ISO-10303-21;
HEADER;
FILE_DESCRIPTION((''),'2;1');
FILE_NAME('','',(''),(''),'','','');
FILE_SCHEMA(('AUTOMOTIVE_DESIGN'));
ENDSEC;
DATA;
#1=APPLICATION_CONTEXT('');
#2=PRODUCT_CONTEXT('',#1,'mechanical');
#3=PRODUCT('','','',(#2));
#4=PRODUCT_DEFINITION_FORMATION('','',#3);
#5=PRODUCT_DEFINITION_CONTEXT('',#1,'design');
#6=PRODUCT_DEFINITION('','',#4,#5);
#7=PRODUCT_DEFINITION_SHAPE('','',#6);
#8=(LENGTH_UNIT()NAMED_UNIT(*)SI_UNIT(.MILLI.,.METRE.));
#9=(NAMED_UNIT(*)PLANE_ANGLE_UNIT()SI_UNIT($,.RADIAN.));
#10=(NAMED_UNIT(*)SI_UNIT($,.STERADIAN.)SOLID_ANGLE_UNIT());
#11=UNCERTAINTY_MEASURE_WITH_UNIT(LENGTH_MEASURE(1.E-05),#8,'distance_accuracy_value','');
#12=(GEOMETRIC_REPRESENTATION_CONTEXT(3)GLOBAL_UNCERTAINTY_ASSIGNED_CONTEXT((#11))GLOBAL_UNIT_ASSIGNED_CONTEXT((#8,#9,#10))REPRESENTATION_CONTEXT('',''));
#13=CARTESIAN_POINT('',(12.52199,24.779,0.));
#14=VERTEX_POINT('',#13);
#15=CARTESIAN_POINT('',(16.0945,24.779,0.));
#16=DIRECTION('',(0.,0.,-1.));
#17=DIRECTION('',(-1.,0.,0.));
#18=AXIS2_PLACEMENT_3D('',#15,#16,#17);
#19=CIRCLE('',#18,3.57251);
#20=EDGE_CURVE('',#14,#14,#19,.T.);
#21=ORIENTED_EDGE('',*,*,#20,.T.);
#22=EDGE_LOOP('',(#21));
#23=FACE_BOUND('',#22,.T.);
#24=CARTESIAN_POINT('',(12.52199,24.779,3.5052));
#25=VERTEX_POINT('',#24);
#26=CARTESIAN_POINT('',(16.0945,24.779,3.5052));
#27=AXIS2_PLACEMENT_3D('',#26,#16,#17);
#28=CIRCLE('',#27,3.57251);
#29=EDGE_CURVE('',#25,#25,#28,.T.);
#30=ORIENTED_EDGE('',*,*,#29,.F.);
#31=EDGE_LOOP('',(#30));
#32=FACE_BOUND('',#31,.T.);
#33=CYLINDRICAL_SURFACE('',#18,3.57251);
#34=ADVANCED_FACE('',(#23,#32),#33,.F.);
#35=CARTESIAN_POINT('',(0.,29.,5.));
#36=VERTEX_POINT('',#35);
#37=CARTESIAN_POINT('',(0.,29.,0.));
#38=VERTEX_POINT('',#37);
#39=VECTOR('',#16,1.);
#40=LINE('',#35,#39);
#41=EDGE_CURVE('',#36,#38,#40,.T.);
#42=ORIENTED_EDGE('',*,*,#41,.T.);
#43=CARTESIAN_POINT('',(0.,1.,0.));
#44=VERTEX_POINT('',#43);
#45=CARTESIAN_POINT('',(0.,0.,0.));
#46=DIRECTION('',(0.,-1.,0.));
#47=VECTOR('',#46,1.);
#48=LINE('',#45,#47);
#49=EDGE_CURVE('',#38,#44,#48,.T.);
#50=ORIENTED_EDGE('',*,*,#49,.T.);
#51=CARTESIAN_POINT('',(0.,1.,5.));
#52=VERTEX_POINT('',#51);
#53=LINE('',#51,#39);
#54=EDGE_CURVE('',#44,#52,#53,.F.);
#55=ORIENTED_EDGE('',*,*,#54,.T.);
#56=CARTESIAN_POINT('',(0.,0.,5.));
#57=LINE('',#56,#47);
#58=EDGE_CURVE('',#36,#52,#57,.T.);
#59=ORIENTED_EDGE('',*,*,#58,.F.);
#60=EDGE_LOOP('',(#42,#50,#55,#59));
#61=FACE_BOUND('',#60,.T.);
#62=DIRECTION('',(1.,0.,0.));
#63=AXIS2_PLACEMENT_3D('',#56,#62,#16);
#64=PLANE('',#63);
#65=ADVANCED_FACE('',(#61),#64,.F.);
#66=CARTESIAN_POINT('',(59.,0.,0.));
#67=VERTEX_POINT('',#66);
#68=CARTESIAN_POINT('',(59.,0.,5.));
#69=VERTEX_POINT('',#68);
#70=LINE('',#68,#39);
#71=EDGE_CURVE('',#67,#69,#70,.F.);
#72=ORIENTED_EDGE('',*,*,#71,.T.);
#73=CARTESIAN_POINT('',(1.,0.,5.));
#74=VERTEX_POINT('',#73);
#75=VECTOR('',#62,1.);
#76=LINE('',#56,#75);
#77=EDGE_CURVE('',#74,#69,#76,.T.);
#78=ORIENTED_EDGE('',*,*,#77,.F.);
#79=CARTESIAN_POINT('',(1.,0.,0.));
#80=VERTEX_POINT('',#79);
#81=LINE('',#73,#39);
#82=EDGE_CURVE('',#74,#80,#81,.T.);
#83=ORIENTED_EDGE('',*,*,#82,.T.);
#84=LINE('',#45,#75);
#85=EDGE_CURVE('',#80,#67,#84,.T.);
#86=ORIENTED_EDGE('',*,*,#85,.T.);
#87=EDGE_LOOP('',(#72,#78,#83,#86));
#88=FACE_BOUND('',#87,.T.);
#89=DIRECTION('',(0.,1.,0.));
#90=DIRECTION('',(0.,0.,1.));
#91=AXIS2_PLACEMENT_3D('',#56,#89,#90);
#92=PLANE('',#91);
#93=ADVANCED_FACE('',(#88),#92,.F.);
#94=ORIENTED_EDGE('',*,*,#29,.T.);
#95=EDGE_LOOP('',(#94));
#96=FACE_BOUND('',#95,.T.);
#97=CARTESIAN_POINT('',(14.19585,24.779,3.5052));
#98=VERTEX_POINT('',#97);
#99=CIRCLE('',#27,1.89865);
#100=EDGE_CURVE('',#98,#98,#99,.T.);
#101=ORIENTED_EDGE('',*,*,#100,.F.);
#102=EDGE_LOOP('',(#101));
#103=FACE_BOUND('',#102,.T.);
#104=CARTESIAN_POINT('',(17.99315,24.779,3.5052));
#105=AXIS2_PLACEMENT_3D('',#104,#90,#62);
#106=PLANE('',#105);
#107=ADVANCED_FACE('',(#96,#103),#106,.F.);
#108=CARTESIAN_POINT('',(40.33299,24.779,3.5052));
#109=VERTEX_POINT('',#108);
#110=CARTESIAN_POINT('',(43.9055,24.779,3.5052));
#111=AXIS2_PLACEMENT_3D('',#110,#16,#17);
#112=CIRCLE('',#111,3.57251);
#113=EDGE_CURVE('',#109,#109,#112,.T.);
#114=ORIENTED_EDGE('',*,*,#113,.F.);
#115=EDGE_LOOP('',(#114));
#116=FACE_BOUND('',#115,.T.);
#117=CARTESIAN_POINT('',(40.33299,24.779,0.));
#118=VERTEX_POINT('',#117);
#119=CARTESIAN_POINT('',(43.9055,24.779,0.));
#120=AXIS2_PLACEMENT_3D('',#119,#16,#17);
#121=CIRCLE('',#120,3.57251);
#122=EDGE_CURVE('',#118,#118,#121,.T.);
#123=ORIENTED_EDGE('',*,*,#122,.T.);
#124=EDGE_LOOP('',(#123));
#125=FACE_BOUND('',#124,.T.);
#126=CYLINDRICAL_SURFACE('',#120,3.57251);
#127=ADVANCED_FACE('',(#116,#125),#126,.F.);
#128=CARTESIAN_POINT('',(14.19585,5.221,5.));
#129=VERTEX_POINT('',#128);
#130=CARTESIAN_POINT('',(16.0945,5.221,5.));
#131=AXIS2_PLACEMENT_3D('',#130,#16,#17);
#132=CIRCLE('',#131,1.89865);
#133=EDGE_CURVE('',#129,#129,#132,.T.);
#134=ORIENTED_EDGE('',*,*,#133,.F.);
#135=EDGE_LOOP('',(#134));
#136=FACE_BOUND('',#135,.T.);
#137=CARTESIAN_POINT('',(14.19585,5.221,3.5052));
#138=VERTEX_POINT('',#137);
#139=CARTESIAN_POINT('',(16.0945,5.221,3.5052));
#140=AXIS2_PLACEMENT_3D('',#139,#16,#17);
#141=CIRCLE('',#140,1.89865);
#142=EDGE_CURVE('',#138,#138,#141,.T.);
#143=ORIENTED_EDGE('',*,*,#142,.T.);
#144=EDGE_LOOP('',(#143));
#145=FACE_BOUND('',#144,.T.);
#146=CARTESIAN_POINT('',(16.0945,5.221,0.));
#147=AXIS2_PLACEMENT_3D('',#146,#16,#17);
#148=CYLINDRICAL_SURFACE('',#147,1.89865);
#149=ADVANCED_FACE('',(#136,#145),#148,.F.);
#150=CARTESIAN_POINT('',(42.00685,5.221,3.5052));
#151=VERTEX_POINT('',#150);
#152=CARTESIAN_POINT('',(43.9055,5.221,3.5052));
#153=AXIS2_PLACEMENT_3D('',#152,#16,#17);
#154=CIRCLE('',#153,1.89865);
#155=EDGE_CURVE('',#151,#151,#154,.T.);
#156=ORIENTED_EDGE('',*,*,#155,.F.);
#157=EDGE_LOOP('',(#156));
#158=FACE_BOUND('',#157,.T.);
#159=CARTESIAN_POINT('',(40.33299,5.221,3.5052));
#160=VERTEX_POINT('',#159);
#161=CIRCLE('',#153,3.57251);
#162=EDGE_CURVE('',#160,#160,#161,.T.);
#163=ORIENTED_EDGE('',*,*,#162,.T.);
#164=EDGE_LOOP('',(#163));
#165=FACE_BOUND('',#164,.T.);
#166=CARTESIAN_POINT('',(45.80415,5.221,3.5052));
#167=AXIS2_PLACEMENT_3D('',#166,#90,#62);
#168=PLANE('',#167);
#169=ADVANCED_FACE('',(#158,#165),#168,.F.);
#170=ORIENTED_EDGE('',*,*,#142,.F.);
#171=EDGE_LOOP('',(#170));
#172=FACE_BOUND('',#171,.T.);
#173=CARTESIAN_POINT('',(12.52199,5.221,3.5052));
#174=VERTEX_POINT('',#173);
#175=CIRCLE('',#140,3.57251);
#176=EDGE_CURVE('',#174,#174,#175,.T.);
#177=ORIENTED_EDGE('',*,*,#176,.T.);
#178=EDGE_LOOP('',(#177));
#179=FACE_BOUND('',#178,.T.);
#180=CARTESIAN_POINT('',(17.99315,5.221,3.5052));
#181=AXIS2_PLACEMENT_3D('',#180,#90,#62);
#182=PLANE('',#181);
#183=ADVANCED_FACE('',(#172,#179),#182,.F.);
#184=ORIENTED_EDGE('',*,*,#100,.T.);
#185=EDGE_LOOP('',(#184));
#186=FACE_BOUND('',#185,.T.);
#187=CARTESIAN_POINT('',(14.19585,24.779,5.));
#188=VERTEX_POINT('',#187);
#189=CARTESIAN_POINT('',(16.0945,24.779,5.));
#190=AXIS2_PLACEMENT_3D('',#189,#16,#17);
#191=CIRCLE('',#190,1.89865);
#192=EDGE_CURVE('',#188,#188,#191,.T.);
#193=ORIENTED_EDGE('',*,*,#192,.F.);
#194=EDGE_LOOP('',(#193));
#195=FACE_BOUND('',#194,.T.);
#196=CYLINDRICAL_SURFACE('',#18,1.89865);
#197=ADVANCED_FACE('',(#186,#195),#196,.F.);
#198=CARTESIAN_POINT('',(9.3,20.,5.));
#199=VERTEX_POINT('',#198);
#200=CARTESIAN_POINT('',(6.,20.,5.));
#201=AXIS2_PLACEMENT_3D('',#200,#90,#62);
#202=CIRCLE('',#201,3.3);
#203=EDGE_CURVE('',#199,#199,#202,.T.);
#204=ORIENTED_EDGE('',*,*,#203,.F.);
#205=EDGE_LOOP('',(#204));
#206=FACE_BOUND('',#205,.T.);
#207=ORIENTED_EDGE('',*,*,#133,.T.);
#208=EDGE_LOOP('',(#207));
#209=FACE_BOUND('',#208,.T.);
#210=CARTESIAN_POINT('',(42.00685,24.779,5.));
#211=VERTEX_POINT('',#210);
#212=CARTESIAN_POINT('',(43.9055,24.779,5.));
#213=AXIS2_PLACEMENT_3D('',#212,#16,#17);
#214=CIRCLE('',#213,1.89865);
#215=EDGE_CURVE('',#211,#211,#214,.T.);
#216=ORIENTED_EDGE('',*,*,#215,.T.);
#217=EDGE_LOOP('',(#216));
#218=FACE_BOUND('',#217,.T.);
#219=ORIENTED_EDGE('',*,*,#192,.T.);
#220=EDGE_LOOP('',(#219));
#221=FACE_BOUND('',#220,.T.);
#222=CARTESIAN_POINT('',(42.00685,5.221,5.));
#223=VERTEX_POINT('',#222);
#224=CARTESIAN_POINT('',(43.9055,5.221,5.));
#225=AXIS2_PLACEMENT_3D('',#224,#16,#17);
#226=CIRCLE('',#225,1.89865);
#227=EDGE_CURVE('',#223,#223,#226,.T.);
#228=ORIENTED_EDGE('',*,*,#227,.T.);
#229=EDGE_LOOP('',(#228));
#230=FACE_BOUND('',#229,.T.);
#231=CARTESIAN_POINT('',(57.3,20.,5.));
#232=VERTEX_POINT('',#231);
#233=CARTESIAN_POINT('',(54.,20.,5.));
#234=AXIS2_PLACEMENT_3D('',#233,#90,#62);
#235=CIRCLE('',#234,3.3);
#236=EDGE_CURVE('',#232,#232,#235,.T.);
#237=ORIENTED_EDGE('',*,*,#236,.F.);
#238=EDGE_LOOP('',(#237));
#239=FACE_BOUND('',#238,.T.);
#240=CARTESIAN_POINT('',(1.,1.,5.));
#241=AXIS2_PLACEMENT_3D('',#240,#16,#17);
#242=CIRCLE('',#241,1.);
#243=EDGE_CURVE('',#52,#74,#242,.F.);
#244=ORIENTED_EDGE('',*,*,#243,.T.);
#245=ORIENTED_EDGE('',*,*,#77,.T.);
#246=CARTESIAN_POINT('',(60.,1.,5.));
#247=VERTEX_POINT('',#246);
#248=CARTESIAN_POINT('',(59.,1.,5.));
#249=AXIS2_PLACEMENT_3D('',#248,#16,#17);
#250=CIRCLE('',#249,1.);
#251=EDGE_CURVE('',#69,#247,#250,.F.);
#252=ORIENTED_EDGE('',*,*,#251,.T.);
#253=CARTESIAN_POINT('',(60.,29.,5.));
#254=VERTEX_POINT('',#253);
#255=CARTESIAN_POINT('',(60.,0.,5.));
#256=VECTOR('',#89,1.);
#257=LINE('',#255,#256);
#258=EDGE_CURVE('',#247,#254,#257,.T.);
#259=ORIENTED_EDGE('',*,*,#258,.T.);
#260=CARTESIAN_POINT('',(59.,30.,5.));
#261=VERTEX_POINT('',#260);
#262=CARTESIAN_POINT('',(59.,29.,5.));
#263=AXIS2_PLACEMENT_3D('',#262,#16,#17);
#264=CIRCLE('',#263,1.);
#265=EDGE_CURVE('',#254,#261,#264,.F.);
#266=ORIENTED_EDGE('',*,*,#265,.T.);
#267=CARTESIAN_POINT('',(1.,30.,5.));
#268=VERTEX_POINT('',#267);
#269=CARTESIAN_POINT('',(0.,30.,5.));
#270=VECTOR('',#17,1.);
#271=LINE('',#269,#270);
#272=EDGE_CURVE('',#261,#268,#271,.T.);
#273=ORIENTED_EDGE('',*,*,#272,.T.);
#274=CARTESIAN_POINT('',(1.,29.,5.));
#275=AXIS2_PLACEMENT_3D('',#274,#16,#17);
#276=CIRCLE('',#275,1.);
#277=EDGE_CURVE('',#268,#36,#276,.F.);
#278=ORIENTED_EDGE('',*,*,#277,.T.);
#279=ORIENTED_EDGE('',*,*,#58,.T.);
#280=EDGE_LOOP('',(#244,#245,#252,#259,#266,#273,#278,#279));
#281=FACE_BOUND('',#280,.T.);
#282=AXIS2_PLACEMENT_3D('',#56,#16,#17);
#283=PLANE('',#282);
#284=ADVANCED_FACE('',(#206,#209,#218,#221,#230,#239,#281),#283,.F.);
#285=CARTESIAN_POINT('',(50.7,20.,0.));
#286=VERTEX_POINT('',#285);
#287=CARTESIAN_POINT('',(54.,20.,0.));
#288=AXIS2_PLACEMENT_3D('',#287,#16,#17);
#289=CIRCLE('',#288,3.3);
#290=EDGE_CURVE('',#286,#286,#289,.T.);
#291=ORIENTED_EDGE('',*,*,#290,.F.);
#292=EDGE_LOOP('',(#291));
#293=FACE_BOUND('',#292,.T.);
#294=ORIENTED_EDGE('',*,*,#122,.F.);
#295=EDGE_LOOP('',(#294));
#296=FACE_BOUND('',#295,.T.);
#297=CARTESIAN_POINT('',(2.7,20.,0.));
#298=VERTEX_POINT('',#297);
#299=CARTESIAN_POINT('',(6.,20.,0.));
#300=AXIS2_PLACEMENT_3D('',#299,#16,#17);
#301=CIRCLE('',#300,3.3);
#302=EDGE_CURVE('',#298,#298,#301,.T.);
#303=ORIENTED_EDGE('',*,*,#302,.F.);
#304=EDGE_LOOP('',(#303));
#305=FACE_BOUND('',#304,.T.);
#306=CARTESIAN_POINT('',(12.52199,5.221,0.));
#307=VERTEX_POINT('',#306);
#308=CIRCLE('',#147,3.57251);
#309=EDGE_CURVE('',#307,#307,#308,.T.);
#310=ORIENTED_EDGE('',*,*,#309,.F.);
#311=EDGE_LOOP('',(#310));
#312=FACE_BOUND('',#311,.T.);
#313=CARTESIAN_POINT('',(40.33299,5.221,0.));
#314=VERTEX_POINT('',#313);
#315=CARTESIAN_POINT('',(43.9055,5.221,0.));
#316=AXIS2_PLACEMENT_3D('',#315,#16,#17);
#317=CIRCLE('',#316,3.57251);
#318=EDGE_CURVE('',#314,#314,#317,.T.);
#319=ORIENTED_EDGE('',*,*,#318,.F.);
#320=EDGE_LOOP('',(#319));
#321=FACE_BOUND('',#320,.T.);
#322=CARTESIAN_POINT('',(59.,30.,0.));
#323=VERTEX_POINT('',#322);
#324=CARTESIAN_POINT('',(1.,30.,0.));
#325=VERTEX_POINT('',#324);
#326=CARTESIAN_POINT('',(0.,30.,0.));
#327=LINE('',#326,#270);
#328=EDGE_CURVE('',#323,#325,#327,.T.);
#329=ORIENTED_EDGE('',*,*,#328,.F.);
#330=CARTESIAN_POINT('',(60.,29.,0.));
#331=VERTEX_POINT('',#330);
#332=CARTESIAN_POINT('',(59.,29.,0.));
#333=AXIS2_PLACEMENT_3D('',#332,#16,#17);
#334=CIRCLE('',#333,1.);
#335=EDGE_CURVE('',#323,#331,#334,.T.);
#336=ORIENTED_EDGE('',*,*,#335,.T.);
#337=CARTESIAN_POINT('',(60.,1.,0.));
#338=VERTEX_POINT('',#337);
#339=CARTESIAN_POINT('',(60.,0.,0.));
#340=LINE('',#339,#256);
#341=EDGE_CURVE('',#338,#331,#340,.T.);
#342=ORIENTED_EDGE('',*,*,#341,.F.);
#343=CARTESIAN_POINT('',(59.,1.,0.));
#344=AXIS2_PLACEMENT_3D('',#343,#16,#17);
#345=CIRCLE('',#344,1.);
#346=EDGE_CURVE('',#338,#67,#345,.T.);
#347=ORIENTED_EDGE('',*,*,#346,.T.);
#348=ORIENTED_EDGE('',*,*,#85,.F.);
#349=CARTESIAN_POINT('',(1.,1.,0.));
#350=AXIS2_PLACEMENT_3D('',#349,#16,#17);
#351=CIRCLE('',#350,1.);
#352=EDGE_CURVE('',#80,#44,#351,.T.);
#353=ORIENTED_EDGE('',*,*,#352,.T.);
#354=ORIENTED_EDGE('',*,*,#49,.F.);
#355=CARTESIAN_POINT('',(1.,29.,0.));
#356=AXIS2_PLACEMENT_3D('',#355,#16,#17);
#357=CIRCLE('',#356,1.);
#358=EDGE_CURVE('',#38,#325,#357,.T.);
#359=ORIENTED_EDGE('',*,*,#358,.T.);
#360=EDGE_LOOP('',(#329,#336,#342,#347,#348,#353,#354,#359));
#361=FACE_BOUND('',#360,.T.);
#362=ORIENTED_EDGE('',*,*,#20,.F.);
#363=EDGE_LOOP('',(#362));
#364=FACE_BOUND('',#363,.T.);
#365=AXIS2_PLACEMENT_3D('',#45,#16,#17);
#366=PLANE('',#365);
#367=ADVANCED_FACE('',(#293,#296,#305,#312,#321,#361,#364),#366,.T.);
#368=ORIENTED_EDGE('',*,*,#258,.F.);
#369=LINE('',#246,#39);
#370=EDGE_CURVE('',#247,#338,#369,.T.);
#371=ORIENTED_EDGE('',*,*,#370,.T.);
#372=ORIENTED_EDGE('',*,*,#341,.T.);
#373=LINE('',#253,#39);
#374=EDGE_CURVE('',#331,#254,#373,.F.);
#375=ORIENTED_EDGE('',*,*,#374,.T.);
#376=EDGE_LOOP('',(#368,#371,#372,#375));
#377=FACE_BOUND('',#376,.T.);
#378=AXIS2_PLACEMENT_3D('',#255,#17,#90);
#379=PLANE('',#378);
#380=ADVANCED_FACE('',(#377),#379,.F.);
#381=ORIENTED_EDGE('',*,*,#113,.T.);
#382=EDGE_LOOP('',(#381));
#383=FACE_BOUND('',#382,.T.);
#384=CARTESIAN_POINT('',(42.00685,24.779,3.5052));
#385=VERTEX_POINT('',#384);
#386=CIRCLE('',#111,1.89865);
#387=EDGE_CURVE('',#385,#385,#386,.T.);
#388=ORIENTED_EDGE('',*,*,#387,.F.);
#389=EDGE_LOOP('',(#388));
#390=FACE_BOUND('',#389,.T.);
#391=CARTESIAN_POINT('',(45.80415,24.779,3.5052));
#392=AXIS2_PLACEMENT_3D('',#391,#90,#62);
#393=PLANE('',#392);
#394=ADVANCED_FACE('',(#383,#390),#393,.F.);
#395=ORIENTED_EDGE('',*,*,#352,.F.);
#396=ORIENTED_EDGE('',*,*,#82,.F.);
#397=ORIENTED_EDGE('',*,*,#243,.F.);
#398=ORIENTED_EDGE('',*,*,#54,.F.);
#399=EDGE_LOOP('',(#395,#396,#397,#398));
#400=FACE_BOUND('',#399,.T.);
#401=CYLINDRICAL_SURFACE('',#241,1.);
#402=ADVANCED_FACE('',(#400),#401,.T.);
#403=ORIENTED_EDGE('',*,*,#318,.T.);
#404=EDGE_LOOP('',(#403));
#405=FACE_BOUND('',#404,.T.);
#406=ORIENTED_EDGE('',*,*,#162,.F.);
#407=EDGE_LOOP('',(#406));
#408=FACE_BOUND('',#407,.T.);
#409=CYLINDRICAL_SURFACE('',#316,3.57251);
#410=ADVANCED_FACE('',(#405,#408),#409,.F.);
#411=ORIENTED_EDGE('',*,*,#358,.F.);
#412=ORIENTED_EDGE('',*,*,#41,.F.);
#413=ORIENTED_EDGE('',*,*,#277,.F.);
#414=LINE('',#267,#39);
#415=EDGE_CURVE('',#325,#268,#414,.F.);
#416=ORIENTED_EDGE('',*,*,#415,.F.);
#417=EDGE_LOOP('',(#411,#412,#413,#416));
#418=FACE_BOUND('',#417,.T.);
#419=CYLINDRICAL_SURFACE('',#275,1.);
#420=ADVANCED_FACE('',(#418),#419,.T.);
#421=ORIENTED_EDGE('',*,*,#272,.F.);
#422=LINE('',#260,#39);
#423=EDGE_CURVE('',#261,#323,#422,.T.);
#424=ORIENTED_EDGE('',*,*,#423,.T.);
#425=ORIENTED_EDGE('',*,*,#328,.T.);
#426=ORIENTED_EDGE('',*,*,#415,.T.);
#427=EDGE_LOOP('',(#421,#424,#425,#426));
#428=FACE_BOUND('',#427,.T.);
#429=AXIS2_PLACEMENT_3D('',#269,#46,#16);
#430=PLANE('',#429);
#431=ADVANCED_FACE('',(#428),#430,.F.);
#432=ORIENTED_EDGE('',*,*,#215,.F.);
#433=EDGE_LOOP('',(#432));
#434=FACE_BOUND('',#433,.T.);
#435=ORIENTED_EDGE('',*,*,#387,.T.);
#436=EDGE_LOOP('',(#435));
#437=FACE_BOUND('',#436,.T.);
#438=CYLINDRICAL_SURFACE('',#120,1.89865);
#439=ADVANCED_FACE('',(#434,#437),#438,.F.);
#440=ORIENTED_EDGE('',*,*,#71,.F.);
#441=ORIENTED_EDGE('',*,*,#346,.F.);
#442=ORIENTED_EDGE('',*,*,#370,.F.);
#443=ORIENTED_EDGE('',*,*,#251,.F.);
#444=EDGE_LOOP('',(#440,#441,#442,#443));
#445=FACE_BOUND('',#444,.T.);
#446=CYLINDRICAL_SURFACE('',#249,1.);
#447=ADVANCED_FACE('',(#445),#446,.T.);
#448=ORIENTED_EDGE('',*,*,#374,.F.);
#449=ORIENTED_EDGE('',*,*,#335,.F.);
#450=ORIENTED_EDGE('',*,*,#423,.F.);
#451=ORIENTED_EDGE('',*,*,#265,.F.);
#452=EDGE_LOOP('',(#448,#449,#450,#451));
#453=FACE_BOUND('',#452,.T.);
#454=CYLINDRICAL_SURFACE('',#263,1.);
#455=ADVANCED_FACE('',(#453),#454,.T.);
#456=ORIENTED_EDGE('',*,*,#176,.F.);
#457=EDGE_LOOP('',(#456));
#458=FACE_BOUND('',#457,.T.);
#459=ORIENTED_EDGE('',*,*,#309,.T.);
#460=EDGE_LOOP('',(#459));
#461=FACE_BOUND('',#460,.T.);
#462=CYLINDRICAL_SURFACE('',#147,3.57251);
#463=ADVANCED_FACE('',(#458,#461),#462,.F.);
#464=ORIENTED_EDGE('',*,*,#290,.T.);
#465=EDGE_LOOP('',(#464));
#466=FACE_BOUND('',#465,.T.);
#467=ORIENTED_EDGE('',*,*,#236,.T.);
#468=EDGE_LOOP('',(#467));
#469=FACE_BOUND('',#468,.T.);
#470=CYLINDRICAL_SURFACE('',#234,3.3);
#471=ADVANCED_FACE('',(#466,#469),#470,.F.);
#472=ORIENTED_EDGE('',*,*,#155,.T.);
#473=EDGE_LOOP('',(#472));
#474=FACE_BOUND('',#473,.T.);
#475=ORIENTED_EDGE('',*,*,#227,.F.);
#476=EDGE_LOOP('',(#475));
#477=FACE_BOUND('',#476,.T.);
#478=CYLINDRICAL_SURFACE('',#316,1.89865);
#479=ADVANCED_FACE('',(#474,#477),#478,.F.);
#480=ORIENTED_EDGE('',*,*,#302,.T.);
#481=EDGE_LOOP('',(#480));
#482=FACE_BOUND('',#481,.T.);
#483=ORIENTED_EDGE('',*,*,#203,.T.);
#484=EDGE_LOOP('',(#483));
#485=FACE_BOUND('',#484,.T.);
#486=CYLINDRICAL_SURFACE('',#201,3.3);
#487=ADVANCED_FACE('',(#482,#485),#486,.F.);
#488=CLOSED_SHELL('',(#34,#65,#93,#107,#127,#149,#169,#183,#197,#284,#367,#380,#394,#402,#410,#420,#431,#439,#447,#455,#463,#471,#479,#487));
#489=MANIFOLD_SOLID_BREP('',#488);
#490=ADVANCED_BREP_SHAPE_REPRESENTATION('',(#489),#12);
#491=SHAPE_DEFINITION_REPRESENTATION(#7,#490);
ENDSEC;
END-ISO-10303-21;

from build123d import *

# Parameters (mm, degrees)
SKETCH1_W                                      = 60
SKETCH1_H                                      = 30
BOSS_EXTRUDE1_DEPTH                            = 5
M6_CLEARANCE_HOLE1_D                           = 6.6
FILLET1_R                                      = 1
CBORE_FOR_6_SOCKET_HEAD_CAP_SCREW1_D           = 3.7973
CBORE_FOR_6_SOCKET_HEAD_CAP_SCREW1_CBORE_D     = 7.14502
CBORE_FOR_6_SOCKET_HEAD_CAP_SCREW1_CBORE_DEPTH = 3.5052


with BuildPart() as part:
    # Sketch1 → Boss-Extrude1 (new body)
    with BuildSketch(Plane.XY):
        with Locations((30, 15)):
            Rectangle(SKETCH1_W, SKETCH1_H)
    extrude(amount=BOSS_EXTRUDE1_DEPTH)

    # M6 Clearance Hole1 (through all)
    with Locations(Plane.XY.offset(5)):
        with Locations((6, 20), (54, 20)):
            Hole(M6_CLEARANCE_HOLE1_D / 2)

    # Fillet1
    fillet1_edges = [part.edges().sort_by_distance(p)[0] for p in [
        (0, 30, 2.5),
        (60, 30, 2.5),
        (60, 0, 2.5),
        (0, 0, 2.5),
    ]]
    fillet(fillet1_edges, radius=FILLET1_R)

    # CBORE for #6 Socket Head Cap Screw1 (through all)
    with Locations(Plane(origin=(0, 0, 0), x_dir=(-1, 0, 0), z_dir=(0, 0, -1))):
        with Locations((-43.9055, 24.779), (-16.0945, 24.779), (-43.9055, 5.221), (-16.0945, 5.221)):
            CounterBoreHole(CBORE_FOR_6_SOCKET_HEAD_CAP_SCREW1_D / 2, CBORE_FOR_6_SOCKET_HEAD_CAP_SCREW1_CBORE_D / 2, CBORE_FOR_6_SOCKET_HEAD_CAP_SCREW1_CBORE_DEPTH)


solid = part.part
